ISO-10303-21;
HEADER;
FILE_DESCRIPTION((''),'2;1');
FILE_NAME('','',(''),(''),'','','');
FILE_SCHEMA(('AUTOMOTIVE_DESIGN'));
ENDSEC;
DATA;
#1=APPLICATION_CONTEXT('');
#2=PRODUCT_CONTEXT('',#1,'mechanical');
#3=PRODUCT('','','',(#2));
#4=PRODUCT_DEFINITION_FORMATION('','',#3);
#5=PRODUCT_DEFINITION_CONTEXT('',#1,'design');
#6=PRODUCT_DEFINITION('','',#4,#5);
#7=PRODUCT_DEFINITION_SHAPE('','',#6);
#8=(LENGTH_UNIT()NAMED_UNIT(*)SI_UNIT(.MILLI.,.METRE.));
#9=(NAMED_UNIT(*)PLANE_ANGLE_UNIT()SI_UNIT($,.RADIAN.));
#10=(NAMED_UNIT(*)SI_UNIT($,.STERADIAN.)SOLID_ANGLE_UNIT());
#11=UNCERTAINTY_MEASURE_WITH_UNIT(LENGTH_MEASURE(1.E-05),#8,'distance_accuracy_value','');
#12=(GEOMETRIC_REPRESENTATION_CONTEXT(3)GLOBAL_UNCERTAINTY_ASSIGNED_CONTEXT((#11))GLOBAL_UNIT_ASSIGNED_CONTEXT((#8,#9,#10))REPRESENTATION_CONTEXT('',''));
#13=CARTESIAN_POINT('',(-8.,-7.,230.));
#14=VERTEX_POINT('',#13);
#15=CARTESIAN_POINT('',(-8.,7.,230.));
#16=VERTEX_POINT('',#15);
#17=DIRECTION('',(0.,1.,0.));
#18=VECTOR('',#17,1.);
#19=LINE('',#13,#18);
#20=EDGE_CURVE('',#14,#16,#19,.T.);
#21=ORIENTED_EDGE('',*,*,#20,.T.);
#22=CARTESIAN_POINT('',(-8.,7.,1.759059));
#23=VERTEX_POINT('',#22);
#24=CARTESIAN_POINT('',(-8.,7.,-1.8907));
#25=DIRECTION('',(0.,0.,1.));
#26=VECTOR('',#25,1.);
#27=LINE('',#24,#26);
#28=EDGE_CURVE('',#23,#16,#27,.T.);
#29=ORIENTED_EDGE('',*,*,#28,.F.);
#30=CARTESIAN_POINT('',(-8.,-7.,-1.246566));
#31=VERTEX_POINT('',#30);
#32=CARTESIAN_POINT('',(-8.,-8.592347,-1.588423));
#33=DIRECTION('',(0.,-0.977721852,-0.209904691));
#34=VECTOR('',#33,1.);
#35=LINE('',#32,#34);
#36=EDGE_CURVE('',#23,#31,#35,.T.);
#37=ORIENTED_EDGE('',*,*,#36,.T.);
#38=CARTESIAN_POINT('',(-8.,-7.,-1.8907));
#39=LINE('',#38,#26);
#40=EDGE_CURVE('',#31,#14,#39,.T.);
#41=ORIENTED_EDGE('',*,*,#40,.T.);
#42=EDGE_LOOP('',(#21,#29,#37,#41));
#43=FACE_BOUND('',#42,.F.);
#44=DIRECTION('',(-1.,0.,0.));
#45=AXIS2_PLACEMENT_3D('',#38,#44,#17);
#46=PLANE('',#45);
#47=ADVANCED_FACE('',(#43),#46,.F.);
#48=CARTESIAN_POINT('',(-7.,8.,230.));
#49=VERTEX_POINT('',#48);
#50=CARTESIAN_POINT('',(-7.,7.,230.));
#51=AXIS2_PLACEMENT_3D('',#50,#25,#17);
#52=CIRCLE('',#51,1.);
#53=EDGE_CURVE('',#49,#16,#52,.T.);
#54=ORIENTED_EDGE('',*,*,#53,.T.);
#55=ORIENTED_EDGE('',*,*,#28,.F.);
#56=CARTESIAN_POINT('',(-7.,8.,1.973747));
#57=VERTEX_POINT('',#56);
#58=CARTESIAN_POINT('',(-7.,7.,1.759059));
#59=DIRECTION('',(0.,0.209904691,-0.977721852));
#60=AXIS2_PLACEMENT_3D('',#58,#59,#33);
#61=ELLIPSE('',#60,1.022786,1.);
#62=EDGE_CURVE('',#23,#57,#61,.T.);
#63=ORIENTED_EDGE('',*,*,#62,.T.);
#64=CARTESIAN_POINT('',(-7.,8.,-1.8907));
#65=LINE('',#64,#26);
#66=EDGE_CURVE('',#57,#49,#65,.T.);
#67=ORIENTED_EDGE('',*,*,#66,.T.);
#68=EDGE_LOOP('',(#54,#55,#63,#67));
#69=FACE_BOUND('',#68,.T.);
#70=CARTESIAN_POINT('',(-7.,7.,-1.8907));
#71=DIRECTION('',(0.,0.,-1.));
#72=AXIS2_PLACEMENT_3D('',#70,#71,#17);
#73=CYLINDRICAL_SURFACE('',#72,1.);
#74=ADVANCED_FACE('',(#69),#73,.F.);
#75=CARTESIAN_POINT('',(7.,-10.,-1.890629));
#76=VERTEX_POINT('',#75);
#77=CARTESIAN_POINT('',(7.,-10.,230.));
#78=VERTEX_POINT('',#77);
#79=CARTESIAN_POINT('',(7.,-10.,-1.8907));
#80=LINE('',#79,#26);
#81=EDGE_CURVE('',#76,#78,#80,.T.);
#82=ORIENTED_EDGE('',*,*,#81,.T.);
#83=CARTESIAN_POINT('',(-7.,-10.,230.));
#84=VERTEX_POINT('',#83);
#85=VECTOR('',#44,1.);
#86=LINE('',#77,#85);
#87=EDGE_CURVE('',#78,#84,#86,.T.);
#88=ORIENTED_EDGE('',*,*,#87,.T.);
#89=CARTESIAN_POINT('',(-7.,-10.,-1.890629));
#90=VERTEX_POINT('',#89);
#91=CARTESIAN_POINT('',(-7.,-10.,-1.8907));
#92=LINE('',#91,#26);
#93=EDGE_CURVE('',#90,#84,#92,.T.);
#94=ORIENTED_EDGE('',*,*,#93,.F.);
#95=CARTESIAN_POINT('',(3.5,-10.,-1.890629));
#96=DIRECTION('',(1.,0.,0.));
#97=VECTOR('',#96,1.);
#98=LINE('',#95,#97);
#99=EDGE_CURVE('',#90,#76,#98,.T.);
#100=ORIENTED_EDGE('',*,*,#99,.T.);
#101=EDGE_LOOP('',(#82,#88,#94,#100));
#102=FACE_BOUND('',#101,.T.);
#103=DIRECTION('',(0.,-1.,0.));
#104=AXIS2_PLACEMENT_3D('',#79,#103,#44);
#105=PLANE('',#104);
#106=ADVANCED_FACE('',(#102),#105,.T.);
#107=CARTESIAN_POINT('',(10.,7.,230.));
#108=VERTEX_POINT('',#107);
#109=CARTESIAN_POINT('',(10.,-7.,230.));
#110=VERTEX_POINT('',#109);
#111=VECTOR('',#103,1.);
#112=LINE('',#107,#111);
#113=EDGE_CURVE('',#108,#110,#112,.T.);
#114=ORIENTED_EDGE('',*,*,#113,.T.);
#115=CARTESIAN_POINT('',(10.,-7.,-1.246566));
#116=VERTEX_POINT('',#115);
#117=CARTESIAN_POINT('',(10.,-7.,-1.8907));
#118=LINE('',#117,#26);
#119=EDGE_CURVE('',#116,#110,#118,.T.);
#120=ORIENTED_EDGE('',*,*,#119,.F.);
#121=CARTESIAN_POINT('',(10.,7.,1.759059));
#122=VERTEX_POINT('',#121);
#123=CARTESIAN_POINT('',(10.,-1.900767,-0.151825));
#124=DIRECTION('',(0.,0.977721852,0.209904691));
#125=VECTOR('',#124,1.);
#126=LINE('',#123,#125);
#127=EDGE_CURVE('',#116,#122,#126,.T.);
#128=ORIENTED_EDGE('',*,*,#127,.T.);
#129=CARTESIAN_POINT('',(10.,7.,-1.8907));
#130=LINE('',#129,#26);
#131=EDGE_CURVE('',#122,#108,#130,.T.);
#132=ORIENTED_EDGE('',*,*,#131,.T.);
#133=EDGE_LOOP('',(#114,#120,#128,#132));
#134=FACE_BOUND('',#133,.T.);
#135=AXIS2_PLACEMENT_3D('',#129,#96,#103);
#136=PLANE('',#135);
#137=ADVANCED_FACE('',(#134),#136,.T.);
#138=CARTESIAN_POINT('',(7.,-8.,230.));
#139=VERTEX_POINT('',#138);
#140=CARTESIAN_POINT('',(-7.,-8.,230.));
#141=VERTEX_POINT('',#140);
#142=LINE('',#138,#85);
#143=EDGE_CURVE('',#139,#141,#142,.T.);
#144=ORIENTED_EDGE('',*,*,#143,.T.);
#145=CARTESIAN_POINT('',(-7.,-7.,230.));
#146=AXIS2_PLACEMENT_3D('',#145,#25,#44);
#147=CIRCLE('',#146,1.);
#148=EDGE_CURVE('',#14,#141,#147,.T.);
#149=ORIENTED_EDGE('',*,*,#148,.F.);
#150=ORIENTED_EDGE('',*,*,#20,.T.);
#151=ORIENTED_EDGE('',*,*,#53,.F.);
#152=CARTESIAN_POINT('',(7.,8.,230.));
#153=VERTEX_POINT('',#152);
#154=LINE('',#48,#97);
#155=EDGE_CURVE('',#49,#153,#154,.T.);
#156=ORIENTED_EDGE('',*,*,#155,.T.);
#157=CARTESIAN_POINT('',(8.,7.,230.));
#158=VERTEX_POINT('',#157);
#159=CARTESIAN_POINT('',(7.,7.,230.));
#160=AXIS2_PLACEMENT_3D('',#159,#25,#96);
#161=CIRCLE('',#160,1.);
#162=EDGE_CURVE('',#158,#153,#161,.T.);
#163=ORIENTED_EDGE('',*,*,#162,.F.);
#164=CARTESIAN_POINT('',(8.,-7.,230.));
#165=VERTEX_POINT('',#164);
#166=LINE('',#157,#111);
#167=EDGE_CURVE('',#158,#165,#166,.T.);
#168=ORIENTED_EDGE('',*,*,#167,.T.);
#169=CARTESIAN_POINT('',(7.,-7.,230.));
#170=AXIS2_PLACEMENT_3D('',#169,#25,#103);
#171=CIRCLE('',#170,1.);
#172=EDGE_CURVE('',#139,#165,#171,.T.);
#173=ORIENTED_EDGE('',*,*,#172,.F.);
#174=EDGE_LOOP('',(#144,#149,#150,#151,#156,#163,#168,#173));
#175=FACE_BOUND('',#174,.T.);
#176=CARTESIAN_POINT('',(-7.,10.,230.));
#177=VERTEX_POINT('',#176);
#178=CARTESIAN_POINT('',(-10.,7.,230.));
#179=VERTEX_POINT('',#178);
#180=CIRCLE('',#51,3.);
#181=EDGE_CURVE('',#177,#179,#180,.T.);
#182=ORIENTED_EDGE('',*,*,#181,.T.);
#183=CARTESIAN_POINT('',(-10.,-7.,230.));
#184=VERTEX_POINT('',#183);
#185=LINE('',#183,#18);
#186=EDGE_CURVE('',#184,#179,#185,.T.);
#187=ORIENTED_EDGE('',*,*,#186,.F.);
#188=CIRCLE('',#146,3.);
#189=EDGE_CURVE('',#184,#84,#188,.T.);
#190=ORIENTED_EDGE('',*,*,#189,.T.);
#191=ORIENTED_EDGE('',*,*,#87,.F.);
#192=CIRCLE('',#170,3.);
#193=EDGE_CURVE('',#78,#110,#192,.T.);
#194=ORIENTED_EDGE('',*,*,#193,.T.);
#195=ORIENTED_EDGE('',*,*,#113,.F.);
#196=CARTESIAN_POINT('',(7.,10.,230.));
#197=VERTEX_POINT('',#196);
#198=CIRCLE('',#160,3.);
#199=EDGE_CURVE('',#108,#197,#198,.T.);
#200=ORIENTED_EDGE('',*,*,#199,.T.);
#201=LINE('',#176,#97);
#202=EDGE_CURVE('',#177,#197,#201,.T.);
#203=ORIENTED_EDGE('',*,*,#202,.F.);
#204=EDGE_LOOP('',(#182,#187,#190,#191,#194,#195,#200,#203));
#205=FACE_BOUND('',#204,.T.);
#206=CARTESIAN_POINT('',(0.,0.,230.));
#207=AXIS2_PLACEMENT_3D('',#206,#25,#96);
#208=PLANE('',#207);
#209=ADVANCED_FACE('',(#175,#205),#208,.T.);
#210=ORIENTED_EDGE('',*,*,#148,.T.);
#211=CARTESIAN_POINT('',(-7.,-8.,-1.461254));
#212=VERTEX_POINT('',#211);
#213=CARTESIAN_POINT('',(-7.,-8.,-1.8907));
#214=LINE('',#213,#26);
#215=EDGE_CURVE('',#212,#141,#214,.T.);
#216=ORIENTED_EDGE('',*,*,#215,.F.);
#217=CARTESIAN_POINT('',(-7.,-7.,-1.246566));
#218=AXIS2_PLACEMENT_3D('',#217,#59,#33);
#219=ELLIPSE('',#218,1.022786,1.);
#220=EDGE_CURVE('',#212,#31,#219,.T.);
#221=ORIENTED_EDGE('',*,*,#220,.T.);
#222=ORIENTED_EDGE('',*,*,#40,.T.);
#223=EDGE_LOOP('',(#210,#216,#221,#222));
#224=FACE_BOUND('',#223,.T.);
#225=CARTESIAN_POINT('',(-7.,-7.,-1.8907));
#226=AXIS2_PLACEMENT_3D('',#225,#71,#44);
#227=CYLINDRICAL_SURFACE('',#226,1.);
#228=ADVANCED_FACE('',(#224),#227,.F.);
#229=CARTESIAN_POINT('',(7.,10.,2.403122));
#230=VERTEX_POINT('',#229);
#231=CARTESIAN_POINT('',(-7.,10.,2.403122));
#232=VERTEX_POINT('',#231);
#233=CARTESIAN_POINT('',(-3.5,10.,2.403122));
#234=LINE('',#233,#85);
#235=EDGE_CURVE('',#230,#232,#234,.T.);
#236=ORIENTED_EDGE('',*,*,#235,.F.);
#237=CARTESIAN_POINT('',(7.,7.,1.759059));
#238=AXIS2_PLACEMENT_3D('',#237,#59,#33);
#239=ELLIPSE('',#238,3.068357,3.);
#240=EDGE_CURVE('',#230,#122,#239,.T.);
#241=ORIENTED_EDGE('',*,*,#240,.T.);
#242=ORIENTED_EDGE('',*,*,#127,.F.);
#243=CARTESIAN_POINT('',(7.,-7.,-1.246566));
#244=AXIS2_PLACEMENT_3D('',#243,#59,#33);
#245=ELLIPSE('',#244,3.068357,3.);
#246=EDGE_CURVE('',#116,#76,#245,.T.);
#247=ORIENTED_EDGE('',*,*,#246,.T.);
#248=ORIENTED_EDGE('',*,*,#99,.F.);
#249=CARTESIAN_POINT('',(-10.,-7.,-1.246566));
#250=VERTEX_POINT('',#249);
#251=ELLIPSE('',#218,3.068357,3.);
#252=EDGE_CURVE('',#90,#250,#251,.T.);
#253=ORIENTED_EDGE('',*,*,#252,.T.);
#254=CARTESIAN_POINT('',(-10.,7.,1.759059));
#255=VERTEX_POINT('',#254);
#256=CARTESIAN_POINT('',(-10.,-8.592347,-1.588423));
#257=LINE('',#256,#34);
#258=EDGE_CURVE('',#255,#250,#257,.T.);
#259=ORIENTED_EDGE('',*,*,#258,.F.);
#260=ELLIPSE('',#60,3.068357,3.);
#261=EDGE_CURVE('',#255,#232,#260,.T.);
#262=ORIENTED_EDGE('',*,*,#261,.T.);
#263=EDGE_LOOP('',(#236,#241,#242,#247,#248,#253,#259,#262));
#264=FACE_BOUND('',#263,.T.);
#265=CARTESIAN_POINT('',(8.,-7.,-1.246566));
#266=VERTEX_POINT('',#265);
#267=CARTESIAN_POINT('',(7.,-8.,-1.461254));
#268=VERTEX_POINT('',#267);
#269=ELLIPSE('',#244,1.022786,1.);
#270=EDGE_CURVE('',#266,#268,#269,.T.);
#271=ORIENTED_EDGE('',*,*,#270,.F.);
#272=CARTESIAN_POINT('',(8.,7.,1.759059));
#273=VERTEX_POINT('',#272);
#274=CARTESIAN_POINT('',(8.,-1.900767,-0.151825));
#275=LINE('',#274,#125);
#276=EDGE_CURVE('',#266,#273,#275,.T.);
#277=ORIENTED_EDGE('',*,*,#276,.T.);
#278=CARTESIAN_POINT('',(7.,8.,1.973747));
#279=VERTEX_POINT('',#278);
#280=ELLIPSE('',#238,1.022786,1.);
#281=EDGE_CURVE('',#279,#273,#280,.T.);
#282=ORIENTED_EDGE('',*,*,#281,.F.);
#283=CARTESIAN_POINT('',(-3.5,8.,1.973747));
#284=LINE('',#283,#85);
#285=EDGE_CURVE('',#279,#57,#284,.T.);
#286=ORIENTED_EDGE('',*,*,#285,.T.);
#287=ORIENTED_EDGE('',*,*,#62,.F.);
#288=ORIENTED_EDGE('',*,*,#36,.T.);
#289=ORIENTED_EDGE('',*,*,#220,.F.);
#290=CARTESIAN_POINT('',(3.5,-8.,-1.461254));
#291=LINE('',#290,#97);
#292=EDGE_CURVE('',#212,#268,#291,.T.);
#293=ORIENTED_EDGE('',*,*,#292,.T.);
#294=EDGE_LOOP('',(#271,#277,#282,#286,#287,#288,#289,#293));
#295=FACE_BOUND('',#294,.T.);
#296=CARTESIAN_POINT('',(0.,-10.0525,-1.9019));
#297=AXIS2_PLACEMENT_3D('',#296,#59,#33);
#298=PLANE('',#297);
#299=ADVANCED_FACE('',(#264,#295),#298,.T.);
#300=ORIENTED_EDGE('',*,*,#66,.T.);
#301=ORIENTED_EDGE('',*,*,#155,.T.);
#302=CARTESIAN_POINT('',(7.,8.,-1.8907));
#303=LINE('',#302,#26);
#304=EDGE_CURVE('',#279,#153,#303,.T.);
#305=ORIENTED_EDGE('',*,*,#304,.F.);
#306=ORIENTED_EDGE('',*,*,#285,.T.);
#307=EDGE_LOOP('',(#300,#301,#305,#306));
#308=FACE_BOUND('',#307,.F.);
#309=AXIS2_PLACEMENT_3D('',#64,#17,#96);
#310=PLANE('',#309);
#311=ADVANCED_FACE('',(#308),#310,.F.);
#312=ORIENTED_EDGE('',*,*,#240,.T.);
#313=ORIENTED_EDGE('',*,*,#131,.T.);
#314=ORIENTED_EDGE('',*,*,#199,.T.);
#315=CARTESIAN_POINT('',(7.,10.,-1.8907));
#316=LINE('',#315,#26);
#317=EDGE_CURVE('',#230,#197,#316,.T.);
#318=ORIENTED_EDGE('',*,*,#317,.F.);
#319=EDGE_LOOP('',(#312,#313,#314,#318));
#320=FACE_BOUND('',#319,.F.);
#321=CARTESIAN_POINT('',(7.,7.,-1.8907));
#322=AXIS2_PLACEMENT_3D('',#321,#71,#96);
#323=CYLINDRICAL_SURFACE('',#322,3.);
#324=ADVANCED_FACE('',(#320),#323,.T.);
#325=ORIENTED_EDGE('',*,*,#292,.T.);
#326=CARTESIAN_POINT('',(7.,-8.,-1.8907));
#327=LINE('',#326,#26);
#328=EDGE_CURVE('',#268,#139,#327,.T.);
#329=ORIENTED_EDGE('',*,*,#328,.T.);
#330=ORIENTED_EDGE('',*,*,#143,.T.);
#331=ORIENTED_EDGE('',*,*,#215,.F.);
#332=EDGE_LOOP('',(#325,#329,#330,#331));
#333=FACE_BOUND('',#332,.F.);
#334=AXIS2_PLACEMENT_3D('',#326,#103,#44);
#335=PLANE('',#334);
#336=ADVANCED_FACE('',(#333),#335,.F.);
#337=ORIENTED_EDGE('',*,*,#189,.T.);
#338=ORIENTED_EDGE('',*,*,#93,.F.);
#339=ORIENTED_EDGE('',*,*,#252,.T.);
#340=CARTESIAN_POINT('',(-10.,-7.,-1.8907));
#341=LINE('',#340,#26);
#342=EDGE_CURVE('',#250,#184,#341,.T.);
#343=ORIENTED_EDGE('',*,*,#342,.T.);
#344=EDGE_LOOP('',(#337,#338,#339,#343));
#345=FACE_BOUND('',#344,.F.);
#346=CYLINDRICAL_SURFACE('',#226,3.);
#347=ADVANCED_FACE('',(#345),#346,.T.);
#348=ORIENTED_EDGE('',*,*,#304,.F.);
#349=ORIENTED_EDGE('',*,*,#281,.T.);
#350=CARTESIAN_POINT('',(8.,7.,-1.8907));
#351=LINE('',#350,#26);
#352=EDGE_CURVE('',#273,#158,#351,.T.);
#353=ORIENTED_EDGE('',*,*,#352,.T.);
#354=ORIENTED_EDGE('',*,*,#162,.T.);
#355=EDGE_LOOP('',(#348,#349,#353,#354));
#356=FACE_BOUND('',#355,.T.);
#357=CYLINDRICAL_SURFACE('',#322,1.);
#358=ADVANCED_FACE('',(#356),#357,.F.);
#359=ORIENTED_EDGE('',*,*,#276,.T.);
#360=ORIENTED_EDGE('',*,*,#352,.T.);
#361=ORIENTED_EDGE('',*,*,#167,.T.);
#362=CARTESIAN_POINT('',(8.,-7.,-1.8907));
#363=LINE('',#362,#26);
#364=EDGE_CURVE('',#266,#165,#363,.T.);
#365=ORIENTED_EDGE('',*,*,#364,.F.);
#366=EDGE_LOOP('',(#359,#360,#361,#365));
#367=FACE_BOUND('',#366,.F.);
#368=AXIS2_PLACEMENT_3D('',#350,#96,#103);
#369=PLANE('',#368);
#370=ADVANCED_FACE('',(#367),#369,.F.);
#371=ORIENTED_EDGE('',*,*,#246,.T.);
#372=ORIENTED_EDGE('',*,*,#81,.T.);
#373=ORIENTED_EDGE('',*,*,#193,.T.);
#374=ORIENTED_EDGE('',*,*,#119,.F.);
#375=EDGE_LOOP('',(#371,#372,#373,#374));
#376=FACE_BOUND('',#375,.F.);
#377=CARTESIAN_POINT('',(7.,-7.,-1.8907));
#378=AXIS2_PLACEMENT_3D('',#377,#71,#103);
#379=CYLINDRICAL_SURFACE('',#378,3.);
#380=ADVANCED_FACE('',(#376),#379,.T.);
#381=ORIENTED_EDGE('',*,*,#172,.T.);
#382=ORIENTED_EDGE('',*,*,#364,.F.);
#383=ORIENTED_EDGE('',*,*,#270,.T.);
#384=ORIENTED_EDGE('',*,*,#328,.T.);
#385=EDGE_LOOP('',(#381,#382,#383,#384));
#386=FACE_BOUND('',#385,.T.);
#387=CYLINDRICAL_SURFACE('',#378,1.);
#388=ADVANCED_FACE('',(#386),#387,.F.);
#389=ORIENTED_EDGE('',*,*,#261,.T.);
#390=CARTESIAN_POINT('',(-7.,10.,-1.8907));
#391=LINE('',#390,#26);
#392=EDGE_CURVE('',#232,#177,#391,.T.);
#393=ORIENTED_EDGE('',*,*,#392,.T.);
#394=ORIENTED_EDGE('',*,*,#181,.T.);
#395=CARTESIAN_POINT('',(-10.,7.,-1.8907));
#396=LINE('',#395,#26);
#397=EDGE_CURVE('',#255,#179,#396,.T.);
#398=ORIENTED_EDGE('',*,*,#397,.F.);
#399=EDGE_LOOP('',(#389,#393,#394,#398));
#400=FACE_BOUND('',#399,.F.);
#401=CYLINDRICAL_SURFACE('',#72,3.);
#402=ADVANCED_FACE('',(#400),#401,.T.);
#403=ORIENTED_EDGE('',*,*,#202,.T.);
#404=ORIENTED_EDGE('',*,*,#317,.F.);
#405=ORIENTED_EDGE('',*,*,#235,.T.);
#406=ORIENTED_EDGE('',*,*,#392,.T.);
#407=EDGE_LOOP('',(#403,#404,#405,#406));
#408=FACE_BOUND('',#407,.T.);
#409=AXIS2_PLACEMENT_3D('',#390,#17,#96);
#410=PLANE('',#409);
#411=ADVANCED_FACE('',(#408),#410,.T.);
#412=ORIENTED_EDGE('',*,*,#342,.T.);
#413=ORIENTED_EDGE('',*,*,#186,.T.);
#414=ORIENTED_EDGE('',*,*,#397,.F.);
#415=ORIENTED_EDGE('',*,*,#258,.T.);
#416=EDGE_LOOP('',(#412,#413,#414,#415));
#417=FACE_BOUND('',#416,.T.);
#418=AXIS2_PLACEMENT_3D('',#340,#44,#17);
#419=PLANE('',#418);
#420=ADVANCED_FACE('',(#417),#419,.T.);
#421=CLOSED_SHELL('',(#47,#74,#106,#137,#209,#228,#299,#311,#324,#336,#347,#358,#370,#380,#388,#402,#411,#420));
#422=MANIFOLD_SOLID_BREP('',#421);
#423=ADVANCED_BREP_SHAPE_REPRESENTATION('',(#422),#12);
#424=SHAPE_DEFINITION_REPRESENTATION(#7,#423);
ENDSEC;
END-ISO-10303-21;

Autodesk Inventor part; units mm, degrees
ref_plane "Start Plane" through (0, 0, -1.8907) normal (0, 0, 1) x (1, 0, 0)
ref_plane "End Plane" through (0, 0, 230) normal (0, 0, 1) x (1, 0, 0)
sketch "Sketch" plane through (0, 0, 0) normal (0, 0, 1) x (1, 0, 0)
  line L0 (-10, -7) -> (-10, 7)
  line L1 (-7, 10) -> (7, 10)
  line L2 (10, 7) -> (10, -7)
  line L3 (7, -10) -> (-7, -10)
  arc A0 (-10, -7) -> (-7, -10) centre (-7, -7) ccw
  arc A1 (-7, 10) -> (-10, 7) centre (-7, 7) ccw
  arc A2 (10, 7) -> (7, 10) centre (7, 7) ccw
  arc A3 (7, -10) -> (10, -7) centre (7, -7) ccw
  arc A4 (-7, 8) -> (-8, 7) centre (-7, 7) ccw
  line L4 (-7, 8) -> (7, 8)
  arc A5 (8, 7) -> (7, 8) centre (7, 7) ccw
  line L5 (8, 7) -> (8, -7)
  arc A6 (7, -8) -> (8, -7) centre (7, -7) ccw
  line L6 (7, -8) -> (-7, -8)
  arc A7 (-8, -7) -> (-7, -8) centre (-7, -7) ccw
  line L7 (-8, -7) -> (-8, 7)
  line L8 (0, 14.8698) -> (0, -14.8698) construction
  line L9 (-14.8698, 0) -> (14.8698, 0) construction
  dimension "d7" = 3
  dimension "d10" = 20
  dimension "d11" = 20
  dimension "d12" = 2
  dimension "d15" = 10
  dimension "d16" = 10
extrude "Body" add sketch "Sketch" along normal up to surface (231.8907 mm away) from surface at -1.8907
sketch "Sketch3" plane through (0, 0, 0) normal (0, 0, 1) x (1, 0, 0)
  line L0 (0, 0) -> (10, 0)
ref_plane "Work Plane3" through (0, 0, 0) normal (0, -1, 0) x (1, 0, 0)
sketch "Sketch4" plane through (0, 0, 0) normal (0, -1, 0) x (1, 0, 0)
  line L0 (-2, -1.8907) -> (12, -1.8907)
  line L1 (-2, 230) -> (12, 230)
  dimension "d18" = 231.8906
ref_plane "Work Plane4" through (0, -10.0525, -1.9019) normal (0, 0.2099, -0.9777) x (1, 0, 0)
split "Split1" plane through (0, -10.0525, -1.9019) removes the side toward (0, 0.2099, -0.9777)
equation "\"d7\" = G_IR"
equation "\"d10\" = G_H"
equation "\"d11\" = G_W"
equation "\"d12\" = G_T"
equation "\"d15\" = 0.5 * d10"
equation "\"d16\" = 0.5 * d11"
equation "\"d3\" = G_L"
equation "\"G_W\" = 20"
equation "\"G_H\" = 20"
equation "\"G_T\" = 2"
equation "\"G_IR\" = 3"
equation "\"G_L\" = d18"
equation "\"G_OFFSET_START\" = 1.89065"
equation "\"G_OFFSET_END\" = 0"
equation "\"d13\" = -G_OFFSET_START"
properties part number "ISO 12633-2 - 20x20x2 - 231.89" material "Steel, Mild"
